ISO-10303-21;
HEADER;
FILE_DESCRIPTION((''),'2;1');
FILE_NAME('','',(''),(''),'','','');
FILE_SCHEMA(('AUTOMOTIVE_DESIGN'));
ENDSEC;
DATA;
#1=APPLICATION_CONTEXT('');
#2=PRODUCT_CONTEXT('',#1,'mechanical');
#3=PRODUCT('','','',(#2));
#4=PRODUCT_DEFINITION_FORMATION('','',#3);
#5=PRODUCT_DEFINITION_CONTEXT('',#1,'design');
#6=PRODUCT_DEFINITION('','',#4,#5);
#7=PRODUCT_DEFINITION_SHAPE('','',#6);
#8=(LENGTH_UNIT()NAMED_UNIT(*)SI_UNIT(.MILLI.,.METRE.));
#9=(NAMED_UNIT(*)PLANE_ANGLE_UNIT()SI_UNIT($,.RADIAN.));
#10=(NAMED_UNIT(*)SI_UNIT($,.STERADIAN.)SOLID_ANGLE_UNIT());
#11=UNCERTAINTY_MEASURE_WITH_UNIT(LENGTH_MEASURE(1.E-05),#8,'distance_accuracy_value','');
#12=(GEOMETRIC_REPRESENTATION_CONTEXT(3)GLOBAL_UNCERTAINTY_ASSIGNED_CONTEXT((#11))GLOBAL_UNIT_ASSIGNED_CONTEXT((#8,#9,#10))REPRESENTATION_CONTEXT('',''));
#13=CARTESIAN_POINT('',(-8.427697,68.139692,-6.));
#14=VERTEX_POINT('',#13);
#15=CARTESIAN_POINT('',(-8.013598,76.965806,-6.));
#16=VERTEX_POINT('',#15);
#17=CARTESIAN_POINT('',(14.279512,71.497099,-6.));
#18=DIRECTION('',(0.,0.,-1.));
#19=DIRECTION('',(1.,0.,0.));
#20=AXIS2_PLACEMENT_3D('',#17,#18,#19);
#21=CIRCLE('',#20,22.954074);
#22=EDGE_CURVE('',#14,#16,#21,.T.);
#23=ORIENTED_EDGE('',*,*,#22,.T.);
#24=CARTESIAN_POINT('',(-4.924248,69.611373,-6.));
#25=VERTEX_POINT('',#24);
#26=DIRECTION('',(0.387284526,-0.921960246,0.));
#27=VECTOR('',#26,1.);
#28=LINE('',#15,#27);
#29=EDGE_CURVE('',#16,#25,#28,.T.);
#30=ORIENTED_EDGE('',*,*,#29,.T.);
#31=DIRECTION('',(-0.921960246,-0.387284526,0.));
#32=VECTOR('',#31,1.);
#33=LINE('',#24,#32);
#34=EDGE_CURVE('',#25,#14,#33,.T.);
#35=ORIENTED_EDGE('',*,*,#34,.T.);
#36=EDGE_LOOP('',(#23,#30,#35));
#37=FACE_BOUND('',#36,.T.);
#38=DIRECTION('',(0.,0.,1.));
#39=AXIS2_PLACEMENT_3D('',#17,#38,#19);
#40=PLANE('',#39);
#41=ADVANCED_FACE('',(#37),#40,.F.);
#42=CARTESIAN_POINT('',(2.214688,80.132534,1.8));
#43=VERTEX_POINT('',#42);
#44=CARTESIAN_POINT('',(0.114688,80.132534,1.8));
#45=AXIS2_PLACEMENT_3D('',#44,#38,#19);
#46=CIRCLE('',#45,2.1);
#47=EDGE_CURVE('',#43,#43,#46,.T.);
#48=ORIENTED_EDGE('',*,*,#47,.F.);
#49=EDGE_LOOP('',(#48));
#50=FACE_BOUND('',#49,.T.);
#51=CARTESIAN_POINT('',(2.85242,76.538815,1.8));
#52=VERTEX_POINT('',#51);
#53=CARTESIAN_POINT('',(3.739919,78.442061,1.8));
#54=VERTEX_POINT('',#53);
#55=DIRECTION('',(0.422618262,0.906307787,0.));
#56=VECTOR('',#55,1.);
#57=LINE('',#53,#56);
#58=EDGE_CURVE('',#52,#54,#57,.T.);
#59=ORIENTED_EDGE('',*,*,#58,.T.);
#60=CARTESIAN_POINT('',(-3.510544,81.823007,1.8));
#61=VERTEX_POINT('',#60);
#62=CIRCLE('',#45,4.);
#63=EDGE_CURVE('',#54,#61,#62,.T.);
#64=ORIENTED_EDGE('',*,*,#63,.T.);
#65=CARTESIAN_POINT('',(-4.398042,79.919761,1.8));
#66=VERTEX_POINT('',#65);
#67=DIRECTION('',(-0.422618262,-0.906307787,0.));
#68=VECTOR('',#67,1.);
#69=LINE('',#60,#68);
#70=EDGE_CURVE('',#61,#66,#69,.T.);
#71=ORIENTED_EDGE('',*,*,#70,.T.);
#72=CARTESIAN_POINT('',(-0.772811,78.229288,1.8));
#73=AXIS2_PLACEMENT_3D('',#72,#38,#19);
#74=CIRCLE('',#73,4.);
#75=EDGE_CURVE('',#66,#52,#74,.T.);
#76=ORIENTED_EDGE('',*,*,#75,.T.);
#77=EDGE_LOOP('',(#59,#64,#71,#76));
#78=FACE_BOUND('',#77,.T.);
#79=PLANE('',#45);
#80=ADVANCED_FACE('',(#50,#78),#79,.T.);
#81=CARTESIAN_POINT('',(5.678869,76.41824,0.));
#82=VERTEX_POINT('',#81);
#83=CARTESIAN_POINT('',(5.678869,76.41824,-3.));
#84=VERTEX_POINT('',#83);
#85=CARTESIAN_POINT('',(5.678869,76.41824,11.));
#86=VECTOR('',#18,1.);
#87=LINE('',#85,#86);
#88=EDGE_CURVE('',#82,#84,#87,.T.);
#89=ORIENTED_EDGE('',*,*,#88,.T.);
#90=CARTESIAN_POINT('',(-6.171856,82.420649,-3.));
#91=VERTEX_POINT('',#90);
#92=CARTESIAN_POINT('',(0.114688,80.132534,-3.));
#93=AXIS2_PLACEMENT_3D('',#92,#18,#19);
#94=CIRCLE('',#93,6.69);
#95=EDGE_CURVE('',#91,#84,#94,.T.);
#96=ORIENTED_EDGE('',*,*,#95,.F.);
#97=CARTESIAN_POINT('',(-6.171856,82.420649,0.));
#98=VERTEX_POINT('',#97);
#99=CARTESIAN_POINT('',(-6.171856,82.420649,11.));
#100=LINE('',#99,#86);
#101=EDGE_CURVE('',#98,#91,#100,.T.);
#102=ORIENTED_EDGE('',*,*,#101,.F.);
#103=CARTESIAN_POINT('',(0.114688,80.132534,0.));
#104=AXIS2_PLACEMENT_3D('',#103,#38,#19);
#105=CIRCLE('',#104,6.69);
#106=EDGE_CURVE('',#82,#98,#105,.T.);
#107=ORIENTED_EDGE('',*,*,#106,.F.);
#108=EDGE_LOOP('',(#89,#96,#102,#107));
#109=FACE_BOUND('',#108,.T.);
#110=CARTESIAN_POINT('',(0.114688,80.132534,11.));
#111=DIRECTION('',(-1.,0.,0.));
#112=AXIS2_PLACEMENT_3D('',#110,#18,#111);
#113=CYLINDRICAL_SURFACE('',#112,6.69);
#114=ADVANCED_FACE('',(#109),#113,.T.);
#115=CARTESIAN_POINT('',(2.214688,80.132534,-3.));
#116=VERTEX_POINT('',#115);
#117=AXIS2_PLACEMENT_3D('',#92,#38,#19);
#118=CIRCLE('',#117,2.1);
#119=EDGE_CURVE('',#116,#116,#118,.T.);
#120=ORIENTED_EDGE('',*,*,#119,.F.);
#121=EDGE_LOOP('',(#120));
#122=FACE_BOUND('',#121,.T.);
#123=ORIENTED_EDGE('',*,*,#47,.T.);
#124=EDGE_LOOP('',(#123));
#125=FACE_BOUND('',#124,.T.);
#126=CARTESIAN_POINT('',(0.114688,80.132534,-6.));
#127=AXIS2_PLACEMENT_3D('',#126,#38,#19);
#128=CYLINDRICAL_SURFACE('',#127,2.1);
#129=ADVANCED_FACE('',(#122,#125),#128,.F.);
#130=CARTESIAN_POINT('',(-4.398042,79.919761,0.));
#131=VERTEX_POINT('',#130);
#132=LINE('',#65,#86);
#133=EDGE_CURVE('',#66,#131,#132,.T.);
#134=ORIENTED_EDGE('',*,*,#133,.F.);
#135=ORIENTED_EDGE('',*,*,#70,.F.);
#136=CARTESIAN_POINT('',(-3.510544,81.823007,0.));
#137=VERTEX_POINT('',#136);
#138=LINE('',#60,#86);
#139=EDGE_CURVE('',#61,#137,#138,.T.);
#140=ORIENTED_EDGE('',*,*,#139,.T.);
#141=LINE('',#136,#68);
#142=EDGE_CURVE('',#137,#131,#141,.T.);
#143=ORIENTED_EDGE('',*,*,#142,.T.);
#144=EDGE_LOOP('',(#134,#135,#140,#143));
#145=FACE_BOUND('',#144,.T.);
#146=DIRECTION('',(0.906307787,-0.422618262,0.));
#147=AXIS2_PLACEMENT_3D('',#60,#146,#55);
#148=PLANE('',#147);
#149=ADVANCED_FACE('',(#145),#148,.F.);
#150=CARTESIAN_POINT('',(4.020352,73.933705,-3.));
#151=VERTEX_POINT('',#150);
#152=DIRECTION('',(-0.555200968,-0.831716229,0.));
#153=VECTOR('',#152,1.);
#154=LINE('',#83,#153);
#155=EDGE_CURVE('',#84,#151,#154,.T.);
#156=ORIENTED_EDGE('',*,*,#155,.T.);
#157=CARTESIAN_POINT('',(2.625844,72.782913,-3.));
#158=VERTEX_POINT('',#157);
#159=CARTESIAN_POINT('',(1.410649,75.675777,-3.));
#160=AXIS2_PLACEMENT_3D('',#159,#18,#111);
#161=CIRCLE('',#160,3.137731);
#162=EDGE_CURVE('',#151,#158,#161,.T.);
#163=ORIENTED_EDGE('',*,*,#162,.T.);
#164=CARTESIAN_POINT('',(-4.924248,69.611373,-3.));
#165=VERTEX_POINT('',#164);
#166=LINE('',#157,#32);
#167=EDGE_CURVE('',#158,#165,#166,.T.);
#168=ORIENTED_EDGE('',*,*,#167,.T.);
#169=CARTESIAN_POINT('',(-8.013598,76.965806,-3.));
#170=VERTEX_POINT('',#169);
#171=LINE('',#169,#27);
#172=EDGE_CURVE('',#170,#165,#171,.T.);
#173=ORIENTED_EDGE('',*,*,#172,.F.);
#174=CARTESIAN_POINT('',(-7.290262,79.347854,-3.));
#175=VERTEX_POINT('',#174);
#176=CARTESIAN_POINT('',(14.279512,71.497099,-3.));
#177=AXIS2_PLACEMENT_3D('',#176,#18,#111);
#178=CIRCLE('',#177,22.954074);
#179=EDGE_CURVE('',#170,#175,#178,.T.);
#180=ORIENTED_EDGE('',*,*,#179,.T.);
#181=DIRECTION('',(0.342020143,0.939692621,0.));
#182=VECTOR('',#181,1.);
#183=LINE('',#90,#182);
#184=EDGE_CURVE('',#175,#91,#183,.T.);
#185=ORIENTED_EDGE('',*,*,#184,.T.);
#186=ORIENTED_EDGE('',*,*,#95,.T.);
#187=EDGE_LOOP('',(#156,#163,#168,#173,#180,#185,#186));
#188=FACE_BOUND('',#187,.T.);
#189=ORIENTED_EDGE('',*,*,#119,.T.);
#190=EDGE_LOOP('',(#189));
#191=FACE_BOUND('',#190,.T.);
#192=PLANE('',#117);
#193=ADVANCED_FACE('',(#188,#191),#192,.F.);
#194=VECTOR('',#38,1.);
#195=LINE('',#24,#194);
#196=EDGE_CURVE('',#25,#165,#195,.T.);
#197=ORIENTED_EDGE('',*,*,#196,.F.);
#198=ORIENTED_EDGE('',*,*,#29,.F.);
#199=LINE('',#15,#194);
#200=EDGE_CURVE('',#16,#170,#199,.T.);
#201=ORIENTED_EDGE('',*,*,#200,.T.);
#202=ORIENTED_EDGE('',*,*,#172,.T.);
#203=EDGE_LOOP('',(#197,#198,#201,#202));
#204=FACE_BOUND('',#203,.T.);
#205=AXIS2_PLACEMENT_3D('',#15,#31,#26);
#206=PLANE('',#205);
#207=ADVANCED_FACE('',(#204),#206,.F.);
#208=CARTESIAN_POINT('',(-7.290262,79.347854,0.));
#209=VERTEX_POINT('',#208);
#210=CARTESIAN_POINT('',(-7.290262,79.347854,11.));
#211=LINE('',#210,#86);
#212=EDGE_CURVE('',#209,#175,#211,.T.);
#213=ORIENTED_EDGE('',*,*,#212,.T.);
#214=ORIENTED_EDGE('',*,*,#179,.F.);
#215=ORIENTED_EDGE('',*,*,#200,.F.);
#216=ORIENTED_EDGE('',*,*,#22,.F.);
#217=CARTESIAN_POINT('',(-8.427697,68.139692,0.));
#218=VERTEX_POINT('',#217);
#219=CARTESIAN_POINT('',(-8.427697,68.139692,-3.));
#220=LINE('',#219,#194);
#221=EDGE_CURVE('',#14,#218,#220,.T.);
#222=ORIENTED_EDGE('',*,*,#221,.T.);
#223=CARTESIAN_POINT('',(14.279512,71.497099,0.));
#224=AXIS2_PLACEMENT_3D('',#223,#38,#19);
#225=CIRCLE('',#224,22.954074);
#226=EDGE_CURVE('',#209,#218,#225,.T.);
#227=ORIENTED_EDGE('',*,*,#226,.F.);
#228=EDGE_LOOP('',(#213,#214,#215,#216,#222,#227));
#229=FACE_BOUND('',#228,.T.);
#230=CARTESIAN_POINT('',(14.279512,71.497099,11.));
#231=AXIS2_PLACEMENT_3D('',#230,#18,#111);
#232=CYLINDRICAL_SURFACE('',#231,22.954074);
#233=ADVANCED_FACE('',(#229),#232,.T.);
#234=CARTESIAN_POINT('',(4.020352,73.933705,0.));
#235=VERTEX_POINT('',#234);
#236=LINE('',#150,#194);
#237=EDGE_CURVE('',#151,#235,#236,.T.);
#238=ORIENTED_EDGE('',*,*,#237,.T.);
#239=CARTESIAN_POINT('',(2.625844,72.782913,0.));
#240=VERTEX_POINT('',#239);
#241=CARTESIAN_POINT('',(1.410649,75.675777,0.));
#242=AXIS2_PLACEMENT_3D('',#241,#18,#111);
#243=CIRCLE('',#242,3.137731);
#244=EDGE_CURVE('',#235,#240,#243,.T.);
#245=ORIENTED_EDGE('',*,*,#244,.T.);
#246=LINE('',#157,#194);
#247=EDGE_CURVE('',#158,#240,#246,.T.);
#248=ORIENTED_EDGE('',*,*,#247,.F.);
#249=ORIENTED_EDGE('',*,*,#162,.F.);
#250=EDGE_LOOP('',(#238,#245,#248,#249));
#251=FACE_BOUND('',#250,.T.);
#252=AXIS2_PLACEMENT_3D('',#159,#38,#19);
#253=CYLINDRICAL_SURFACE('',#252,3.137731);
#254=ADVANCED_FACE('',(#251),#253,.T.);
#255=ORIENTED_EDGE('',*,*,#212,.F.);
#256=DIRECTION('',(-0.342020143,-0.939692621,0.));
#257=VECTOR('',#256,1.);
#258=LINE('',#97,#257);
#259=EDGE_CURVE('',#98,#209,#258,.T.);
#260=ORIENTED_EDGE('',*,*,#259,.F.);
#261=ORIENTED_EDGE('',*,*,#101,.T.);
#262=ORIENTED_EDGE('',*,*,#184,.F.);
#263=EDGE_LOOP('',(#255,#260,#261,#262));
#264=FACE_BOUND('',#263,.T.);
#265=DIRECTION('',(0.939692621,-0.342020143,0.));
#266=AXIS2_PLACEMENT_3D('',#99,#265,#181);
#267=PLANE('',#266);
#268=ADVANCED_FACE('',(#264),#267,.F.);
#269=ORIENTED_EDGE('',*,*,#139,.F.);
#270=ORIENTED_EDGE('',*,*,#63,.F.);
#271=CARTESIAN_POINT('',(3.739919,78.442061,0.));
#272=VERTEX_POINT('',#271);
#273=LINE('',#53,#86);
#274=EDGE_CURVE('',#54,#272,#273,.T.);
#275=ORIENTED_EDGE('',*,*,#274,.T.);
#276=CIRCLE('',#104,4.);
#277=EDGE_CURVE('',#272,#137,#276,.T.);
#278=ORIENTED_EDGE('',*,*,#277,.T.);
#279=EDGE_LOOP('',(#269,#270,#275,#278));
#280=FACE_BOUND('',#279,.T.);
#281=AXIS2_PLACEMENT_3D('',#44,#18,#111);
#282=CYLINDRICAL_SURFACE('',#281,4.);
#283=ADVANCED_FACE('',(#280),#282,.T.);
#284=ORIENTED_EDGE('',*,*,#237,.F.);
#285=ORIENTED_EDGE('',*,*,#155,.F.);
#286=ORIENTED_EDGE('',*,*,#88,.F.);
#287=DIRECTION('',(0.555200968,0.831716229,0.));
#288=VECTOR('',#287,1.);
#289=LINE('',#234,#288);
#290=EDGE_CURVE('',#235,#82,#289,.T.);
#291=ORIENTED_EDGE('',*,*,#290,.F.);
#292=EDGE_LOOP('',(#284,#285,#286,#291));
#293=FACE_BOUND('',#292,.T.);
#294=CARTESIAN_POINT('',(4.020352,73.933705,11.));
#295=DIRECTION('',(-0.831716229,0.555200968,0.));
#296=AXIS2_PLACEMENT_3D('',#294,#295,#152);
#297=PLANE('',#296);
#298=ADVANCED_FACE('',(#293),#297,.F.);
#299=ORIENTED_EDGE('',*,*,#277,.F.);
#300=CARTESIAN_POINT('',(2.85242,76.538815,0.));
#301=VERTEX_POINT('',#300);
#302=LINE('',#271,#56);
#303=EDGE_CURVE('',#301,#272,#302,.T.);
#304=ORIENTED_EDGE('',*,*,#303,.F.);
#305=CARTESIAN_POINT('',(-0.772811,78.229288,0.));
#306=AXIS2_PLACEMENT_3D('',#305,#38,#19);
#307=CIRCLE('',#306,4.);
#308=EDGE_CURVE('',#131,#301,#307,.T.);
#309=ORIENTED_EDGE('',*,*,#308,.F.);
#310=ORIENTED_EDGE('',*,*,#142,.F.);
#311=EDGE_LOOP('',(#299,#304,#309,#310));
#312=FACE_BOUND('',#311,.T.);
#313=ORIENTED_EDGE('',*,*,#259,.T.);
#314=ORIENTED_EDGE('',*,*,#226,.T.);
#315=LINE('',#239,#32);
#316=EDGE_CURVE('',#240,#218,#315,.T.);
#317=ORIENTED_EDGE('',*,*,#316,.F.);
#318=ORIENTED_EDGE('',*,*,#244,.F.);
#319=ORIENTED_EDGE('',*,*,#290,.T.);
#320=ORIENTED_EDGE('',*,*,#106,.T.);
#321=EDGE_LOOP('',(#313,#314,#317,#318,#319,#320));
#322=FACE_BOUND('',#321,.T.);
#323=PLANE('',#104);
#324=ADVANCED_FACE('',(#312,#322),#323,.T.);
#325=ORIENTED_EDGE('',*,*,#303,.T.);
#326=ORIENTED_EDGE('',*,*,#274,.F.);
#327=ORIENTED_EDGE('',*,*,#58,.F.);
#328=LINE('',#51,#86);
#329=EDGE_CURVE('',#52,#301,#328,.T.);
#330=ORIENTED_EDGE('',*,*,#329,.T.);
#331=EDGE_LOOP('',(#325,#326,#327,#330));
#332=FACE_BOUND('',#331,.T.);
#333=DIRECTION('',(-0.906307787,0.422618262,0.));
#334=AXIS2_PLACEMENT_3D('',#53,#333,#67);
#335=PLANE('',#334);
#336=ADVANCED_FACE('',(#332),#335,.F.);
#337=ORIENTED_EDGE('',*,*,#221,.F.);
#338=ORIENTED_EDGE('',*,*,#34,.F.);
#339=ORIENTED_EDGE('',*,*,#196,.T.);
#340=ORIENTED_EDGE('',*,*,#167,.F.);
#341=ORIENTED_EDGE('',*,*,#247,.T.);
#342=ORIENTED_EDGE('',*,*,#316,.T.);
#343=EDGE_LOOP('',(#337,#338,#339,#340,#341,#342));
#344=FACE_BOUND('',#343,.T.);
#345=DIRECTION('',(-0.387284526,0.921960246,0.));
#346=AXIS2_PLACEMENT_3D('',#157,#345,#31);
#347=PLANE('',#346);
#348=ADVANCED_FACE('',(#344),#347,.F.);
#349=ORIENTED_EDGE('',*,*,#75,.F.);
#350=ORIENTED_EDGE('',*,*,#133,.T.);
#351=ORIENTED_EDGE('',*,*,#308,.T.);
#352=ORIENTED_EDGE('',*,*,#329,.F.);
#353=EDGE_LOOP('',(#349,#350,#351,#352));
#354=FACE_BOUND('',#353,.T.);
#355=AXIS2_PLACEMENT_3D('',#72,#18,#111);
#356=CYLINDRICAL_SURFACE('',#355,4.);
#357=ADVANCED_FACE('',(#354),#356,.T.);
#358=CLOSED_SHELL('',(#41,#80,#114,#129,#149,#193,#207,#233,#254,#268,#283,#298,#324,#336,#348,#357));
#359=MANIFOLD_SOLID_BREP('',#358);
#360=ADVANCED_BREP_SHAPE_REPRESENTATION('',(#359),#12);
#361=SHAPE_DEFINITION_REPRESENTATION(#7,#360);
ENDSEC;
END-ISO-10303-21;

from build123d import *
from build123d.topology import SkipClean

# Parameters (mm, degrees)
SKETCH3_R           = 2.75
SKETCH3_R_2         = 2.1
BOSS_EXTRUDE2_DEPTH = 11
BOSS_EXTRUDE4_START = 3
BOSS_EXTRUDE4_DEPTH = 3
BOSS_EXTRUDE3_START = 3
BOSS_EXTRUDE3_DEPTH = 3
SKETCH14_W          = 47.285712055
SKETCH14_H          = 12.595473758
CUT_EXTRUDE1_DEPTH  = 92.326119258
BOSS_EXTRUDE5_DEPTH = 1.8
SKETCH15_R          = 2.1
CUT_EXTRUDE2_DEPTH  = 88.602742559


with BuildPart() as part:
    # Sketch3 → Boss-Extrude2 (new body)
    with BuildSketch(Plane.XY):
        with BuildLine():
            Line((11.81639044, 60.252883085), (11.728372068, 60.311638564))
            ThreePointArc((11.728372068, 60.311638564), (8.917204522, 62.7925154), (6.866230988, 65.931132995))
            ThreePointArc((6.866230988, 65.931132995), (6.025591445, 67.274340702), (4.901176311, 68.390840765))
            ThreePointArc((4.901176311, 68.390840765), (3.375934297, 70.989881123), (4.020351516, 73.93370524))
            Line((4.020351516, 73.93370524), (5.678869184, 76.41823992))
            ThreePointArc((5.678869184, 76.41823992), (3.137547336, 86.100651278), (-6.171856019, 82.420649156))
            Line((-6.171856019, 82.420649156), (-7.290261888, 79.347854286))
            ThreePointArc((-7.290261888, 79.347854286), (-8.557893098, 69.185727028), (-5.279809822, 59.483671095))
            ThreePointArc((-5.279809822, 59.483671095), (-2.848156457, 57.139360441), (0.414833066, 56.266646336))
            ThreePointArc((0.414833066, 56.266646336), (3.287818882, 55.822166382), (5.91364728, 54.574514525))
            Line((5.91364728, 54.574514525), (7.374782695, 53.599153256))
            ThreePointArc((7.374782695, 53.599153256), (10.815902262, 50.678650143), (13.499590609, 47.049812979))
            ThreePointArc((13.499590609, 47.049812979), (24.965953819, 46.665736496), (20.21385057, 57.108078892))
            ThreePointArc((20.21385057, 57.108078892), (15.833272198, 58.194897845), (11.81639044, 60.252883085))
        make_face()
        with Locations((19.351869275, 50.413343031)):
            Circle(SKETCH3_R, mode=Mode.SUBTRACT)
        with Locations((0.471910886, 63.016405008)):
            Circle(SKETCH3_R, mode=Mode.SUBTRACT)
        with Locations((0.114687614, 80.132534397)):
            Circle(SKETCH3_R_2, mode=Mode.SUBTRACT)
    extrude(amount=BOSS_EXTRUDE2_DEPTH)

    # Sketch13 → Boss-Extrude4 (add)
    with SkipClean():  # the faces are left unmerged after this step: merging them gives an invalid solid
        with BuildSketch(Plane(origin=(0, 0, 0), x_dir=(-1, 0, 0), z_dir=(0, 0, -1)).offset(BOSS_EXTRUDE4_START)):
            with BuildLine():
                Line((-5.678869184, 76.41823992), (-4.020351516, 73.93370524))
                ThreePointArc((-4.020351516, 73.93370524), (-3.407782277, 73.255690271), (-2.625844204, 72.782913134))
                Line((-2.625844204, 72.782913134), (8.427696777, 68.139691908))
                ThreePointArc((8.427696777, 68.139691908), (8.557268078, 73.814637343), (7.290261888, 79.347854286))
                Line((7.290261888, 79.347854286), (6.171856019, 82.420649156))
                ThreePointArc((6.171856019, 82.420649156), (-3.137547336, 86.100651278), (-5.678869184, 76.41823992))
            make_face()
        extrude(amount=-BOSS_EXTRUDE4_DEPTH)

    # Sketch12 → Boss-Extrude3 (add)
    with SkipClean():  # the faces are left unmerged after this step: merging them gives an invalid solid
        with BuildSketch(Plane(origin=(0, 0, -3), x_dir=(-1, 0, 0), z_dir=(0, 0, -1)).offset(BOSS_EXTRUDE3_START)):
            with BuildLine():
                Line((8.013597957, 76.965805827), (4.924247842, 69.611373108))
                Line((4.924247842, 69.611373108), (8.427696777, 68.139691908))
                ThreePointArc((8.427696777, 68.139691908), (8.649339764, 72.572862025), (8.013597957, 76.965805827))
            make_face()
        extrude(amount=-BOSS_EXTRUDE3_DEPTH)

    # Sketch14 → Cut-Extrude1 (cut, through all)
    with BuildSketch(Plane(origin=(0, 0, 0), x_dir=(1, 0, 0), z_dir=(0, 1, 0))):
        with Locations((8.412006537, -6.297736879)):
            Rectangle(SKETCH14_W, SKETCH14_H)
    extrude(amount=CUT_EXTRUDE1_DEPTH, mode=Mode.SUBTRACT)

    # Sketch16 → Boss-Extrude5 (add)
    with BuildSketch(Plane.XY):
        with BuildLine():
            Line((3.739918762, 78.44206135), (2.852420412, 76.538814997))
            ThreePointArc((2.852420412, 76.538814997), (-2.463283783, 74.604056896), (-4.398041884, 79.919761091))
            Line((-4.398041884, 79.919761091), (-3.510543534, 81.823007444))
            ThreePointArc((-3.510543534, 81.823007444), (1.805160661, 83.757765545), (3.739918762, 78.44206135))
        make_face()
    extrude(amount=BOSS_EXTRUDE5_DEPTH)

    # Sketch15 → Cut-Extrude2 (cut, through all)
    with BuildSketch(Plane.XY.offset(1.8)):
        with Locations((0.114687614, 80.132534397)):
            Circle(SKETCH15_R)
    extrude(amount=-CUT_EXTRUDE2_DEPTH, mode=Mode.SUBTRACT)


solid = part.part
